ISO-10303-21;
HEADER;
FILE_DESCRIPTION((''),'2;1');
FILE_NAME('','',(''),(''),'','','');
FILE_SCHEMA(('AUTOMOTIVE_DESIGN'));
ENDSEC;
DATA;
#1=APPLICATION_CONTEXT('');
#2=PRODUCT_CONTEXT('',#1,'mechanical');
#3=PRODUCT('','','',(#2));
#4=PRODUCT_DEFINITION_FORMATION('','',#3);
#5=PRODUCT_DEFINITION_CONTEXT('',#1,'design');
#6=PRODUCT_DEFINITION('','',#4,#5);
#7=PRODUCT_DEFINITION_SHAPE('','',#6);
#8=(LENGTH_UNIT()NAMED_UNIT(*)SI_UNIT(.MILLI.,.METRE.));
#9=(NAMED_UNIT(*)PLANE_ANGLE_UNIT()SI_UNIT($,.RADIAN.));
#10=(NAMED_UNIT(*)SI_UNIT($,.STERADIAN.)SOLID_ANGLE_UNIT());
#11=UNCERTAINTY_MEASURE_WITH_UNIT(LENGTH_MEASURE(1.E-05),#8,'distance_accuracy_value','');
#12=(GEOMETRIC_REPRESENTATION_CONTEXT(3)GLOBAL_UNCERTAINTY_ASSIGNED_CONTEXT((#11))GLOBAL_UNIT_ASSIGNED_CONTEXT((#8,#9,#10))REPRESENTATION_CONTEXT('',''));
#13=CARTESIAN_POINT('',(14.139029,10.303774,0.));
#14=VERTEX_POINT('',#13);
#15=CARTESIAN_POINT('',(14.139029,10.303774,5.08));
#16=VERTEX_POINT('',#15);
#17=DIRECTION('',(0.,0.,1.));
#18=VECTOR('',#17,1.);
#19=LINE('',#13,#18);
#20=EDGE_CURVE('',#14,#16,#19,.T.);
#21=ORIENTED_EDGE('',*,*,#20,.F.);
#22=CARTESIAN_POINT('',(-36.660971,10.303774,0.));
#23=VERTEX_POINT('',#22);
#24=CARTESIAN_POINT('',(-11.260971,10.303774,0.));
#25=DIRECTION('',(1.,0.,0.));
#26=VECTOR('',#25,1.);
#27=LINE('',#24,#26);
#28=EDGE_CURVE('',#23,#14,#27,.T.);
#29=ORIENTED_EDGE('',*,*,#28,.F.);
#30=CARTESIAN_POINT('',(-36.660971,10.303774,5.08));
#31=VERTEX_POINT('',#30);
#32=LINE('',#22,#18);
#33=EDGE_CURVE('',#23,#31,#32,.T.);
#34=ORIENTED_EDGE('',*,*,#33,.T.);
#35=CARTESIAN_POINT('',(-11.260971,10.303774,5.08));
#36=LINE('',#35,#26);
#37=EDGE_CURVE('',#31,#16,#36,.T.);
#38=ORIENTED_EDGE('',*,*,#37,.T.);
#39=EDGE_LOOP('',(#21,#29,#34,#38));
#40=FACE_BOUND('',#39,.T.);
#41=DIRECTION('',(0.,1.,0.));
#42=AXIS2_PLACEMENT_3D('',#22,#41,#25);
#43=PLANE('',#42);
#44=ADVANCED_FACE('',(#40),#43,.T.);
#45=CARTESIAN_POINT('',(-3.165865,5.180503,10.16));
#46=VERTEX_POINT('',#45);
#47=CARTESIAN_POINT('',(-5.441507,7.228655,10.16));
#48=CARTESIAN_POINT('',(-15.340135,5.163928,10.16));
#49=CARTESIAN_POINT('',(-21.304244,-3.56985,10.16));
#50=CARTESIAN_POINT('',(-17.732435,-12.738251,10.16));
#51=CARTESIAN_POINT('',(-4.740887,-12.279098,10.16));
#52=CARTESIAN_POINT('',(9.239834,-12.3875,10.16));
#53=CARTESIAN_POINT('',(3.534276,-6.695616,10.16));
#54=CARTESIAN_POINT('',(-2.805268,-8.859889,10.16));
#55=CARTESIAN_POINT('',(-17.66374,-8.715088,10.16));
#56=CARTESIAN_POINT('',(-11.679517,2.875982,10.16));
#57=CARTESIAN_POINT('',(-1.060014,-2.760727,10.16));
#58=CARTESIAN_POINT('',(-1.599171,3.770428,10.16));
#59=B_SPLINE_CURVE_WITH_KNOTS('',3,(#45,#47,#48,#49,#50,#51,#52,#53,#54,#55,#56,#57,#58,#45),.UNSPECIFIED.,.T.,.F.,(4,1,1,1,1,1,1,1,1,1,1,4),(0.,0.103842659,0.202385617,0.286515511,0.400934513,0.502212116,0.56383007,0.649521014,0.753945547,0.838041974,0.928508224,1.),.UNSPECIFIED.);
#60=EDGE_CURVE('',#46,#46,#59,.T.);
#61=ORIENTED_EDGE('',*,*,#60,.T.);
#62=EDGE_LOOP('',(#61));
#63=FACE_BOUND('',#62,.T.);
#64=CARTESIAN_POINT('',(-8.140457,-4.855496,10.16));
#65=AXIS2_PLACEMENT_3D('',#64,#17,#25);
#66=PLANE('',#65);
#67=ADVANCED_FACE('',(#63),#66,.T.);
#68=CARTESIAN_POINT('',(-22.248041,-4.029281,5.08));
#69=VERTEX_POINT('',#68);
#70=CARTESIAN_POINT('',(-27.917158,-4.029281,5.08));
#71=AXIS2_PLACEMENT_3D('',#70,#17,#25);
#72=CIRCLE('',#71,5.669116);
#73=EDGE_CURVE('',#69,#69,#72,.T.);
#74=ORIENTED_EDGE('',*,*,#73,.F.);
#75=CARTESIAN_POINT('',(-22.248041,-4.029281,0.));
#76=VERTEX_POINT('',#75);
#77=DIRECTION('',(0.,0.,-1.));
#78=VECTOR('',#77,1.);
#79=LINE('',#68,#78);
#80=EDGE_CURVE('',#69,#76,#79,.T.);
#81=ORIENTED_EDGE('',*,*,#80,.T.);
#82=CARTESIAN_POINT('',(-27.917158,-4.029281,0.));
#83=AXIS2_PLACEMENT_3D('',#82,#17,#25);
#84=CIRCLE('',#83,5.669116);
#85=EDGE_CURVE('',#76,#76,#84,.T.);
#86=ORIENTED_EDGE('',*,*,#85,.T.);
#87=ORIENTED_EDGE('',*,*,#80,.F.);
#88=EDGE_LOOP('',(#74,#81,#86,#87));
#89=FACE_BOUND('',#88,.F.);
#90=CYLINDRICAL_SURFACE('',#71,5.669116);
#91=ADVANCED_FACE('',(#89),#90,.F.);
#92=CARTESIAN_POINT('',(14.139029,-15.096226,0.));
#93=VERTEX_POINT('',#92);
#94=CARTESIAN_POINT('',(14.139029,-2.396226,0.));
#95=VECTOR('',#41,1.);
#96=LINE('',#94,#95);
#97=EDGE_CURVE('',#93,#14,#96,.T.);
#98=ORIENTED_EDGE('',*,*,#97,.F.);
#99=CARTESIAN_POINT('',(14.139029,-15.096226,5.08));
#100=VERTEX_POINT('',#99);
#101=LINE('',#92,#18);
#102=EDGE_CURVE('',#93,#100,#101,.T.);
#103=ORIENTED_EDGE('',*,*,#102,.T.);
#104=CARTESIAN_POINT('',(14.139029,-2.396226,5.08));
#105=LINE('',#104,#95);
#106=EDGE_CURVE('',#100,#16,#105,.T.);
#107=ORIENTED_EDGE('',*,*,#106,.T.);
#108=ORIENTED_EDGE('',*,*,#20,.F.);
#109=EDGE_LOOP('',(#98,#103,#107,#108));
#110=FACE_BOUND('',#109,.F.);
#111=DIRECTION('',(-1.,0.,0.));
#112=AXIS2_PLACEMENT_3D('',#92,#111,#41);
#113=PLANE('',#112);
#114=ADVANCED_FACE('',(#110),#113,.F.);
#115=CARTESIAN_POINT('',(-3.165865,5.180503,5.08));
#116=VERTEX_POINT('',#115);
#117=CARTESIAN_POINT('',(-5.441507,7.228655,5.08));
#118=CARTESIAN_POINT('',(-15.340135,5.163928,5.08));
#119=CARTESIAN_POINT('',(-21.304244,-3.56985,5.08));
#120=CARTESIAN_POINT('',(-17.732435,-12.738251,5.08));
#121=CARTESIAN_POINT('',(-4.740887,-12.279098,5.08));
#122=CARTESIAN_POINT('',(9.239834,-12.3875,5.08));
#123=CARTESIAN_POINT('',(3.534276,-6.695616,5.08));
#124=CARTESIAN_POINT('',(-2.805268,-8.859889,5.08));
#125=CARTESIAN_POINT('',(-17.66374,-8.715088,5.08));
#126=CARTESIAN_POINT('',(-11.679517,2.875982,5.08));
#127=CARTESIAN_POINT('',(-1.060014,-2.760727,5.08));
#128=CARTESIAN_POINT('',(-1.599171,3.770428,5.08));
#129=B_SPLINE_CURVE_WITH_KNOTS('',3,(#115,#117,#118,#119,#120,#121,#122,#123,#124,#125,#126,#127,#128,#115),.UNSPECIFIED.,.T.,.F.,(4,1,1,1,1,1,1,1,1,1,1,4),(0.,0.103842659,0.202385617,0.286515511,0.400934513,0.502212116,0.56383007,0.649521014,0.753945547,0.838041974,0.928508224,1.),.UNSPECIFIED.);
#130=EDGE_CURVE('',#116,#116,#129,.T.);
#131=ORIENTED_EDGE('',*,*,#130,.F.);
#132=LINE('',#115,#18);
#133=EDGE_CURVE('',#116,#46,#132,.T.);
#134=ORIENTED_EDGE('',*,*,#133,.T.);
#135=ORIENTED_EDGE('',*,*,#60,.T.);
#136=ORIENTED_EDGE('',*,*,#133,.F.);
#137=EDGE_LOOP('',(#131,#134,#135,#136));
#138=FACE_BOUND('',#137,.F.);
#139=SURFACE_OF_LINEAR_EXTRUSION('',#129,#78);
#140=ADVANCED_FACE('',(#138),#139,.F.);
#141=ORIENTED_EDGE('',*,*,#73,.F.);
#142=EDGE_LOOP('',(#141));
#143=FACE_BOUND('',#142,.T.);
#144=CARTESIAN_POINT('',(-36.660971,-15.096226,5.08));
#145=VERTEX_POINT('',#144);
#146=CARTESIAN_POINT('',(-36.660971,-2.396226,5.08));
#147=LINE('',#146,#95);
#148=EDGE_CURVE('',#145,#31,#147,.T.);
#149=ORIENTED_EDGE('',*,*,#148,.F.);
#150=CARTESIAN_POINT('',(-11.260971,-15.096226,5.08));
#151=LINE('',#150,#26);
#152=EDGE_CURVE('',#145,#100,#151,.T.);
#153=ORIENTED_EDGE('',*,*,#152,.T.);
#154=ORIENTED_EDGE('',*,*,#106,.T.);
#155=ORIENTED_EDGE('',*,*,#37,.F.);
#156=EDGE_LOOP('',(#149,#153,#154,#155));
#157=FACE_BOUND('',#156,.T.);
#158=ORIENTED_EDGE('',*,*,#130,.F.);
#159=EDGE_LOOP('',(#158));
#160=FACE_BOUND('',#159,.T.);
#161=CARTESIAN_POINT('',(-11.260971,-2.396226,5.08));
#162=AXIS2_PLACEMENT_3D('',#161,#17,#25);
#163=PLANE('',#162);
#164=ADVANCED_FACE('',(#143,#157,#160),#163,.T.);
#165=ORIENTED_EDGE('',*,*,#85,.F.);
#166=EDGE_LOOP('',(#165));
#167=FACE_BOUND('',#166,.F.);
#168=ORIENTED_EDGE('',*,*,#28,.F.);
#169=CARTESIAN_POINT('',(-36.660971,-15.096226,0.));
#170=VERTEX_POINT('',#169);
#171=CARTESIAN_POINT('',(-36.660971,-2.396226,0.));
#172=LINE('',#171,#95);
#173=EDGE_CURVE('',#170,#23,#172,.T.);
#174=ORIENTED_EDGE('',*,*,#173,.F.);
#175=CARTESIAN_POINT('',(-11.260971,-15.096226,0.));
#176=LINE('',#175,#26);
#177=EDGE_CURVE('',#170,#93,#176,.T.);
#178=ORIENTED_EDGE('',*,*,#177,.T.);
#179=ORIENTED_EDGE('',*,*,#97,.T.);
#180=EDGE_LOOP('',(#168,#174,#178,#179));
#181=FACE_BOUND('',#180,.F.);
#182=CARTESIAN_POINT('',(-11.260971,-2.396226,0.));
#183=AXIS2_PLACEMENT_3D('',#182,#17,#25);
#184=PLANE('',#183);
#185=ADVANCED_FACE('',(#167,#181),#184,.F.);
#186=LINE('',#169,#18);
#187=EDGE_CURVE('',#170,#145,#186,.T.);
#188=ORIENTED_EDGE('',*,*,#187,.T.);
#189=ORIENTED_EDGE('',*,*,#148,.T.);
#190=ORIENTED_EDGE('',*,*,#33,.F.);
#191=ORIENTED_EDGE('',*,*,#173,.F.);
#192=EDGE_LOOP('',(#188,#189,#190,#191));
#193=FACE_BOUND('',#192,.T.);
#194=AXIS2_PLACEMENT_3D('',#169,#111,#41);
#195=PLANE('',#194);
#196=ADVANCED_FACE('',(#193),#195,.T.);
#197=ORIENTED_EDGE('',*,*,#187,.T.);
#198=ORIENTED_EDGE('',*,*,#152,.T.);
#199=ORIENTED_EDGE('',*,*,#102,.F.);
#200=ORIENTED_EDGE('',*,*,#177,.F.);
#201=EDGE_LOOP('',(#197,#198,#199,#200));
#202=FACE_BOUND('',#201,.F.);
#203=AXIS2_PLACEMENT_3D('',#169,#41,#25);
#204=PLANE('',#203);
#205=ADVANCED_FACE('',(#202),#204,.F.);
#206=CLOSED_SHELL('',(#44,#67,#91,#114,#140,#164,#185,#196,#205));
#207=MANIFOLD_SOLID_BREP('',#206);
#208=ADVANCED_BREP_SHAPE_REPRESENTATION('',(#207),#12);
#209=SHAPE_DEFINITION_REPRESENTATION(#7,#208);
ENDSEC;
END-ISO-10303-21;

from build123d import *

# Parameters (mm, degrees)
F0_W     = 50.8
F0_H     = 25.4
F1_DEPTH = 5.08
F3_DEPTH = 5.08
F4_R     = 5.669116402
F5_DEPTH = 25.4


with BuildPart() as f1:
    # F0 (on Top) → F1 (new body)
    with BuildSketch(Plane.XY):
        with Locations((-11.2609706491, -2.3962257567)):
            Rectangle(F0_W, F0_H)
    extrude(amount=F1_DEPTH)

    # F2 (on face) → F3 (join)
    with BuildSketch(Plane.XY.offset(5.08)):
        with BuildLine():
            add(Edge.make_bspline(
                [(-3.165865317, 5.1805032417), (-5.441507022, 7.2286547021), (-15.3401351252, 5.1639277512), (-21.3042439155, -3.5698499242), (-17.7324350426, -12.7382505088), (-4.7408867714, -12.2790983526), (9.2398335914, -12.3875001852), (3.5342763799, -6.6956162667), (-2.8052683526, -8.8598894218), (-17.6637398814, -8.7150879288), (-11.6795167845, 2.8759817509), (-1.0600143282, -2.7607274659), (-1.5991713541, 3.77042778), (-3.165865317, 5.1805032417)],
                knots=[0, 0, 0, 0, 0.1038426592, 0.202385617, 0.2865155115, 0.4009345131, 0.5022121165, 0.56383007, 0.6495210145, 0.7539455468, 0.8380419744, 0.9285082239, 1, 1, 1, 1], degree=3))
        make_face()
    extrude(amount=F3_DEPTH)

    # F4 (on face) → F5 (cut)
    with BuildSketch(Plane.XY.offset(5.08)):
        with Locations((-27.9171578586, -4.0292805061)):
            Circle(F4_R)
    extrude(amount=-F5_DEPTH, mode=Mode.SUBTRACT)


solid = f1.part
